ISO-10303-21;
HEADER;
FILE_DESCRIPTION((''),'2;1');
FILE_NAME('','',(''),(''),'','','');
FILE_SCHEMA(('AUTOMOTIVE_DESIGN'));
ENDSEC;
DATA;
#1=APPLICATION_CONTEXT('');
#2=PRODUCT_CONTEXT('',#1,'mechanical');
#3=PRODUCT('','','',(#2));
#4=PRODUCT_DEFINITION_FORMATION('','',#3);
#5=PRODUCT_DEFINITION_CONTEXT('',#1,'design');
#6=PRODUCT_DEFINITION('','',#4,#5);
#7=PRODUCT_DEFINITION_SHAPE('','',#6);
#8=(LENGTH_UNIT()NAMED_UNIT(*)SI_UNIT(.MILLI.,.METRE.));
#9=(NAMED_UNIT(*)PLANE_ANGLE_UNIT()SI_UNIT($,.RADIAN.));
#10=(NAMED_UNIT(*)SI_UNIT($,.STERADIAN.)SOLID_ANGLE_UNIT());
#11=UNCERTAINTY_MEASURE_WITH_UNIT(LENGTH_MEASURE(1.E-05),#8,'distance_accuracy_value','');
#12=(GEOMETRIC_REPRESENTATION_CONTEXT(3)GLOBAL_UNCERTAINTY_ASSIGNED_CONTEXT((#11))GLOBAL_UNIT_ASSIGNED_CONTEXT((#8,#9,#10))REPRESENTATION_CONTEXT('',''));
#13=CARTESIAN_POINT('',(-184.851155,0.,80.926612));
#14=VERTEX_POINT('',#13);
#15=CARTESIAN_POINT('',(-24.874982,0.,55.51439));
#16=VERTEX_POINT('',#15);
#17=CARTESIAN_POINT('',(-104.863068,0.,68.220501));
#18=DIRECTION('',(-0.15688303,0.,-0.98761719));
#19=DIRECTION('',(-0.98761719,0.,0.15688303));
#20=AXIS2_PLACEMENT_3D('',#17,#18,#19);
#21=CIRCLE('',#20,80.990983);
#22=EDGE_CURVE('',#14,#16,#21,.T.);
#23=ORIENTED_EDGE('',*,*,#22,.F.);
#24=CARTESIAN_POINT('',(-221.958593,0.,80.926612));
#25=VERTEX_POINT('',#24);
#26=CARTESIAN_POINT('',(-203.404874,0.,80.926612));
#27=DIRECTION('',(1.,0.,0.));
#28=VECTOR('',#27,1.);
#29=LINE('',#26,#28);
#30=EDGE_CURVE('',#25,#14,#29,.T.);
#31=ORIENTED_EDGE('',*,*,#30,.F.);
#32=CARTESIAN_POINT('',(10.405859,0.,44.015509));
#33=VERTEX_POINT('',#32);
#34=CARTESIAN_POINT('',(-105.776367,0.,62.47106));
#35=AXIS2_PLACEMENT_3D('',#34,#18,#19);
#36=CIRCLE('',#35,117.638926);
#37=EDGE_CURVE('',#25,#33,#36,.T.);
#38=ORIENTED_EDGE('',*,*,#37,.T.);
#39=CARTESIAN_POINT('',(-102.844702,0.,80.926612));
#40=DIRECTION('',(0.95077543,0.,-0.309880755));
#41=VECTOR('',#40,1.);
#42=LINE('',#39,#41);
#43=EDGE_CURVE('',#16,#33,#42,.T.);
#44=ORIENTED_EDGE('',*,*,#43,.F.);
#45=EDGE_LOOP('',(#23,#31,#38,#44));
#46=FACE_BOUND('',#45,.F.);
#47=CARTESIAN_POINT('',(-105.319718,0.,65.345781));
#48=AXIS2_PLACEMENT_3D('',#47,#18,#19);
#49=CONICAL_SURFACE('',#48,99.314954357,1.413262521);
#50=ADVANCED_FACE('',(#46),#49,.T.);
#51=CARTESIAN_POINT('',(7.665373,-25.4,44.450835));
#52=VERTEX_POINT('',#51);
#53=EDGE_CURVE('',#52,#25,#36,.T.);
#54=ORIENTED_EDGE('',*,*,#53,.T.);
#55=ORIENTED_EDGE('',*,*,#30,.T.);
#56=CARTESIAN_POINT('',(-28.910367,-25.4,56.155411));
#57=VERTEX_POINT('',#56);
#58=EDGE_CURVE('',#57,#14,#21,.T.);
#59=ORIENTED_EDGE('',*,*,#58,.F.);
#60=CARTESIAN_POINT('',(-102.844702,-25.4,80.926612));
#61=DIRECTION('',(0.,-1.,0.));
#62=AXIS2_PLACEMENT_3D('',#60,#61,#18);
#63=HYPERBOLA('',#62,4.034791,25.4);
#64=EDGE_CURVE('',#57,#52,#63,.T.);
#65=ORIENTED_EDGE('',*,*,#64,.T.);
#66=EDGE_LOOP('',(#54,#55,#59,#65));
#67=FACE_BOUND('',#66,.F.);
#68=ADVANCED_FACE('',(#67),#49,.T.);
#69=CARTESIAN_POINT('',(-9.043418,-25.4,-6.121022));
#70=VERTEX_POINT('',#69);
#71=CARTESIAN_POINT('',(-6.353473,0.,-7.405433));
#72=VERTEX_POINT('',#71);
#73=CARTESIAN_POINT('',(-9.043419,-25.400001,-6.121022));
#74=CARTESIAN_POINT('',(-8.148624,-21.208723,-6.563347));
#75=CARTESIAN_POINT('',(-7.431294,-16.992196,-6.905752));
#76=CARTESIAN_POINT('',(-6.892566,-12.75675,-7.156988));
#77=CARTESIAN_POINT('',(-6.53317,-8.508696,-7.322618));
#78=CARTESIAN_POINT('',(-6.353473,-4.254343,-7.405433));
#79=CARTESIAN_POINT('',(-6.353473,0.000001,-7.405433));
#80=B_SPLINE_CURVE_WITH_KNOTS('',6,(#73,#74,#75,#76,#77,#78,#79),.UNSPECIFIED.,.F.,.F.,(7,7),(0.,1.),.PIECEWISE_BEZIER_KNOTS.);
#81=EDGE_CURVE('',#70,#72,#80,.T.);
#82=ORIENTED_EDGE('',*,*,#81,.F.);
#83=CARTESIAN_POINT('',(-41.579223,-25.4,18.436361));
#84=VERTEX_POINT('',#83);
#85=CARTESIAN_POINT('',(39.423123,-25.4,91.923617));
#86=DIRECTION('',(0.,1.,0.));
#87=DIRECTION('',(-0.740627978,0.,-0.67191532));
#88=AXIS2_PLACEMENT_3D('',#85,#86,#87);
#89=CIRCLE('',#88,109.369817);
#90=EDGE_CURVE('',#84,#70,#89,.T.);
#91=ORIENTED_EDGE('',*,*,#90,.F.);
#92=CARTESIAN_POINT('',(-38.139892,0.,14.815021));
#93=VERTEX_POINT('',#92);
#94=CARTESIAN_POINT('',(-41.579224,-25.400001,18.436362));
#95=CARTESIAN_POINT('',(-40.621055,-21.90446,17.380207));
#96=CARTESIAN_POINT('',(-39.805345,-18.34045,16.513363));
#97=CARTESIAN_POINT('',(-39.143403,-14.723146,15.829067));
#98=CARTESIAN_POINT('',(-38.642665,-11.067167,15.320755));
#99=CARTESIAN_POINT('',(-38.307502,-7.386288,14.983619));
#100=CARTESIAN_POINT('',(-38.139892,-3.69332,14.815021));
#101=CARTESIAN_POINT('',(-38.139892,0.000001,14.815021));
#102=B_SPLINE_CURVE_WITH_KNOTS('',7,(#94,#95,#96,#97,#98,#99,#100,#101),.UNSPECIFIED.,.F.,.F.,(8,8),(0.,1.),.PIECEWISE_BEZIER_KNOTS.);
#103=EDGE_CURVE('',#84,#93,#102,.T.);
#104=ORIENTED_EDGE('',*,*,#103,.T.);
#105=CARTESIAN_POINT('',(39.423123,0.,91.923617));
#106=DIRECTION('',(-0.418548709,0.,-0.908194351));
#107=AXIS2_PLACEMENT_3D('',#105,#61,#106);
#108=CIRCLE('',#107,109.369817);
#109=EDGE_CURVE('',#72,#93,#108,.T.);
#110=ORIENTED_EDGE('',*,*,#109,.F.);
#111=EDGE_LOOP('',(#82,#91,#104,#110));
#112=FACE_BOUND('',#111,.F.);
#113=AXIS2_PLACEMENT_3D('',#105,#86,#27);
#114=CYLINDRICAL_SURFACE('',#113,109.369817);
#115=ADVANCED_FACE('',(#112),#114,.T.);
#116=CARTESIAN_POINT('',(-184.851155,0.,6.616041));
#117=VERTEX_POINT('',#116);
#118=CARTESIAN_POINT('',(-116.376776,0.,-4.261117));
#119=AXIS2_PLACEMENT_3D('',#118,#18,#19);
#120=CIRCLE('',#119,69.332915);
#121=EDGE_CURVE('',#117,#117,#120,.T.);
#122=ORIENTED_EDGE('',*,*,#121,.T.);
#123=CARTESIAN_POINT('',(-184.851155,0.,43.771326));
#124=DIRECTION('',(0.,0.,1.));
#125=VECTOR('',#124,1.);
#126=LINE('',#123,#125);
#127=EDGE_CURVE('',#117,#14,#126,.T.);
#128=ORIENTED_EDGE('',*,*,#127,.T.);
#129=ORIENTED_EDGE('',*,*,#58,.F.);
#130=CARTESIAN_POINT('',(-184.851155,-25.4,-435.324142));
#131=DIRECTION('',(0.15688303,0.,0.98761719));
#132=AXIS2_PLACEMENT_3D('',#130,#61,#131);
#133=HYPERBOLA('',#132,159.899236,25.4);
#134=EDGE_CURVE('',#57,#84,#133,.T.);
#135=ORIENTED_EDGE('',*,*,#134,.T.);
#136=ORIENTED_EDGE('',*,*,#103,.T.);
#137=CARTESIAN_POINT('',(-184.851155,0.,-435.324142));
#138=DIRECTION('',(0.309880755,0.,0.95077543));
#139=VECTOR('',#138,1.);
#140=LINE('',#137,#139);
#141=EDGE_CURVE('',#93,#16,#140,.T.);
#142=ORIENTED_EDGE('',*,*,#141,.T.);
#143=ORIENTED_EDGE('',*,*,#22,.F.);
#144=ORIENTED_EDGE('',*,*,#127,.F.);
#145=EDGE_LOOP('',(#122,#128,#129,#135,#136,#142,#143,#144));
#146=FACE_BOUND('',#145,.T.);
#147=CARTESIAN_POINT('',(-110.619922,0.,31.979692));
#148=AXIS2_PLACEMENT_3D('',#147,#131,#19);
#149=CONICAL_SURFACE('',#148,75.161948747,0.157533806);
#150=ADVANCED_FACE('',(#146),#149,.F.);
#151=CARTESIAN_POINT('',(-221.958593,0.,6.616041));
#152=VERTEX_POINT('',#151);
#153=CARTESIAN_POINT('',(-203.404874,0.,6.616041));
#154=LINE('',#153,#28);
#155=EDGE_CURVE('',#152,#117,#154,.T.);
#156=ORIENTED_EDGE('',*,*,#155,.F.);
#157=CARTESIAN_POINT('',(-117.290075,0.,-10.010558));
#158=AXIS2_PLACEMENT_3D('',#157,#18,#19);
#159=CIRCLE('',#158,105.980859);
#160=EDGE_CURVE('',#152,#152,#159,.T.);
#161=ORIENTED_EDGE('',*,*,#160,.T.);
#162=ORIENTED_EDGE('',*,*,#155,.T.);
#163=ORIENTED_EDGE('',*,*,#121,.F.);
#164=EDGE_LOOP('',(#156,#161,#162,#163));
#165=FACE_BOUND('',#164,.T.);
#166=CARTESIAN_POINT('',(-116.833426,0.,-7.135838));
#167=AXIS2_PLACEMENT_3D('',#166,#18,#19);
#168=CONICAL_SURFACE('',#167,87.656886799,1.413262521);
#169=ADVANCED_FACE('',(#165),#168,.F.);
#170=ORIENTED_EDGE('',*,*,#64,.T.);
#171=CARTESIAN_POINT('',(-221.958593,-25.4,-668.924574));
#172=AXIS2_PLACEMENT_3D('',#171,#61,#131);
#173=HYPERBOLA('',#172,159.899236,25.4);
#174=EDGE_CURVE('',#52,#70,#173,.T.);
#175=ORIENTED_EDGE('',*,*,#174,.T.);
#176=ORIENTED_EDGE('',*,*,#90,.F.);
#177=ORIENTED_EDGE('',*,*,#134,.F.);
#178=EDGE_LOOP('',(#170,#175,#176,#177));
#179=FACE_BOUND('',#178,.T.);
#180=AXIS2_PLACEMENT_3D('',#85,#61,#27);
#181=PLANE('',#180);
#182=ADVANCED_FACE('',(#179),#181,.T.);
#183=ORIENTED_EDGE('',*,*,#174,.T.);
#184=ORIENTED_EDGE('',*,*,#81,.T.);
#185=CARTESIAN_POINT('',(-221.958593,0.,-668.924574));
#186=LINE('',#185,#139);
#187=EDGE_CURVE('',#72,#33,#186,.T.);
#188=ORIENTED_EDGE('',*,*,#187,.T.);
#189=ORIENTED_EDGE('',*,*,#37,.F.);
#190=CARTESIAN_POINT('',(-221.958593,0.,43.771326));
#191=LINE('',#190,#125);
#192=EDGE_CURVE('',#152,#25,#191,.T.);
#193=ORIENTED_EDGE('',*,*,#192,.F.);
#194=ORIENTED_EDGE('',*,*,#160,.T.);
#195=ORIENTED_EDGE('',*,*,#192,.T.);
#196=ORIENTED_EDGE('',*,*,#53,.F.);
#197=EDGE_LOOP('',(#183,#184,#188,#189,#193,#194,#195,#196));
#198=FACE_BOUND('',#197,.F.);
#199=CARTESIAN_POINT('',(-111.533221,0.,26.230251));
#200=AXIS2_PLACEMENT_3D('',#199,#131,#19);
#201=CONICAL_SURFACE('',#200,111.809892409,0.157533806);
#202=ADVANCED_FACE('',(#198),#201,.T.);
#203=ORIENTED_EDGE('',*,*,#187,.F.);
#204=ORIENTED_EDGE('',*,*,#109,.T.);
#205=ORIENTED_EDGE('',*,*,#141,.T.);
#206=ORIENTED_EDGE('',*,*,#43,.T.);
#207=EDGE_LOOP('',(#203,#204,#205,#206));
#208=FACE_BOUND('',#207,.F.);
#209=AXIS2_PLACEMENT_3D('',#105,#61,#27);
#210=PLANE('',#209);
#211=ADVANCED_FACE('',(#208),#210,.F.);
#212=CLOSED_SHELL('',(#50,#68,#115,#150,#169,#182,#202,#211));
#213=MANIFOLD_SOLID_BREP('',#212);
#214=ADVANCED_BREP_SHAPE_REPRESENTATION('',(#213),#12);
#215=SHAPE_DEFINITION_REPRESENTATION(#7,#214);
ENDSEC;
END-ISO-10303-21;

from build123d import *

# Parameters (mm, degrees)
F1_W     = 37.107438
F1_H     = 74.310571
F3_R     = 109.369817
F4_DEPTH = 25.4


with BuildPart() as f2:
    # F1 (on Front) → F2 (revolve)
    with BuildSketch(Plane.XZ):
        with Locations((-203.404874, 43.771326)):
            Rectangle(F1_W, F1_H)
    revolve(axis=Axis((-114.124175, 0, 9.919561), (-0.156883, 0, -0.987617)))

    # F3 (on Front) → F4 (join)
    with BuildSketch(Plane.XZ):
        with Locations((39.423123, 91.923617)):
            Circle(F3_R)
    extrude(amount=F4_DEPTH)


solid = f2.part
